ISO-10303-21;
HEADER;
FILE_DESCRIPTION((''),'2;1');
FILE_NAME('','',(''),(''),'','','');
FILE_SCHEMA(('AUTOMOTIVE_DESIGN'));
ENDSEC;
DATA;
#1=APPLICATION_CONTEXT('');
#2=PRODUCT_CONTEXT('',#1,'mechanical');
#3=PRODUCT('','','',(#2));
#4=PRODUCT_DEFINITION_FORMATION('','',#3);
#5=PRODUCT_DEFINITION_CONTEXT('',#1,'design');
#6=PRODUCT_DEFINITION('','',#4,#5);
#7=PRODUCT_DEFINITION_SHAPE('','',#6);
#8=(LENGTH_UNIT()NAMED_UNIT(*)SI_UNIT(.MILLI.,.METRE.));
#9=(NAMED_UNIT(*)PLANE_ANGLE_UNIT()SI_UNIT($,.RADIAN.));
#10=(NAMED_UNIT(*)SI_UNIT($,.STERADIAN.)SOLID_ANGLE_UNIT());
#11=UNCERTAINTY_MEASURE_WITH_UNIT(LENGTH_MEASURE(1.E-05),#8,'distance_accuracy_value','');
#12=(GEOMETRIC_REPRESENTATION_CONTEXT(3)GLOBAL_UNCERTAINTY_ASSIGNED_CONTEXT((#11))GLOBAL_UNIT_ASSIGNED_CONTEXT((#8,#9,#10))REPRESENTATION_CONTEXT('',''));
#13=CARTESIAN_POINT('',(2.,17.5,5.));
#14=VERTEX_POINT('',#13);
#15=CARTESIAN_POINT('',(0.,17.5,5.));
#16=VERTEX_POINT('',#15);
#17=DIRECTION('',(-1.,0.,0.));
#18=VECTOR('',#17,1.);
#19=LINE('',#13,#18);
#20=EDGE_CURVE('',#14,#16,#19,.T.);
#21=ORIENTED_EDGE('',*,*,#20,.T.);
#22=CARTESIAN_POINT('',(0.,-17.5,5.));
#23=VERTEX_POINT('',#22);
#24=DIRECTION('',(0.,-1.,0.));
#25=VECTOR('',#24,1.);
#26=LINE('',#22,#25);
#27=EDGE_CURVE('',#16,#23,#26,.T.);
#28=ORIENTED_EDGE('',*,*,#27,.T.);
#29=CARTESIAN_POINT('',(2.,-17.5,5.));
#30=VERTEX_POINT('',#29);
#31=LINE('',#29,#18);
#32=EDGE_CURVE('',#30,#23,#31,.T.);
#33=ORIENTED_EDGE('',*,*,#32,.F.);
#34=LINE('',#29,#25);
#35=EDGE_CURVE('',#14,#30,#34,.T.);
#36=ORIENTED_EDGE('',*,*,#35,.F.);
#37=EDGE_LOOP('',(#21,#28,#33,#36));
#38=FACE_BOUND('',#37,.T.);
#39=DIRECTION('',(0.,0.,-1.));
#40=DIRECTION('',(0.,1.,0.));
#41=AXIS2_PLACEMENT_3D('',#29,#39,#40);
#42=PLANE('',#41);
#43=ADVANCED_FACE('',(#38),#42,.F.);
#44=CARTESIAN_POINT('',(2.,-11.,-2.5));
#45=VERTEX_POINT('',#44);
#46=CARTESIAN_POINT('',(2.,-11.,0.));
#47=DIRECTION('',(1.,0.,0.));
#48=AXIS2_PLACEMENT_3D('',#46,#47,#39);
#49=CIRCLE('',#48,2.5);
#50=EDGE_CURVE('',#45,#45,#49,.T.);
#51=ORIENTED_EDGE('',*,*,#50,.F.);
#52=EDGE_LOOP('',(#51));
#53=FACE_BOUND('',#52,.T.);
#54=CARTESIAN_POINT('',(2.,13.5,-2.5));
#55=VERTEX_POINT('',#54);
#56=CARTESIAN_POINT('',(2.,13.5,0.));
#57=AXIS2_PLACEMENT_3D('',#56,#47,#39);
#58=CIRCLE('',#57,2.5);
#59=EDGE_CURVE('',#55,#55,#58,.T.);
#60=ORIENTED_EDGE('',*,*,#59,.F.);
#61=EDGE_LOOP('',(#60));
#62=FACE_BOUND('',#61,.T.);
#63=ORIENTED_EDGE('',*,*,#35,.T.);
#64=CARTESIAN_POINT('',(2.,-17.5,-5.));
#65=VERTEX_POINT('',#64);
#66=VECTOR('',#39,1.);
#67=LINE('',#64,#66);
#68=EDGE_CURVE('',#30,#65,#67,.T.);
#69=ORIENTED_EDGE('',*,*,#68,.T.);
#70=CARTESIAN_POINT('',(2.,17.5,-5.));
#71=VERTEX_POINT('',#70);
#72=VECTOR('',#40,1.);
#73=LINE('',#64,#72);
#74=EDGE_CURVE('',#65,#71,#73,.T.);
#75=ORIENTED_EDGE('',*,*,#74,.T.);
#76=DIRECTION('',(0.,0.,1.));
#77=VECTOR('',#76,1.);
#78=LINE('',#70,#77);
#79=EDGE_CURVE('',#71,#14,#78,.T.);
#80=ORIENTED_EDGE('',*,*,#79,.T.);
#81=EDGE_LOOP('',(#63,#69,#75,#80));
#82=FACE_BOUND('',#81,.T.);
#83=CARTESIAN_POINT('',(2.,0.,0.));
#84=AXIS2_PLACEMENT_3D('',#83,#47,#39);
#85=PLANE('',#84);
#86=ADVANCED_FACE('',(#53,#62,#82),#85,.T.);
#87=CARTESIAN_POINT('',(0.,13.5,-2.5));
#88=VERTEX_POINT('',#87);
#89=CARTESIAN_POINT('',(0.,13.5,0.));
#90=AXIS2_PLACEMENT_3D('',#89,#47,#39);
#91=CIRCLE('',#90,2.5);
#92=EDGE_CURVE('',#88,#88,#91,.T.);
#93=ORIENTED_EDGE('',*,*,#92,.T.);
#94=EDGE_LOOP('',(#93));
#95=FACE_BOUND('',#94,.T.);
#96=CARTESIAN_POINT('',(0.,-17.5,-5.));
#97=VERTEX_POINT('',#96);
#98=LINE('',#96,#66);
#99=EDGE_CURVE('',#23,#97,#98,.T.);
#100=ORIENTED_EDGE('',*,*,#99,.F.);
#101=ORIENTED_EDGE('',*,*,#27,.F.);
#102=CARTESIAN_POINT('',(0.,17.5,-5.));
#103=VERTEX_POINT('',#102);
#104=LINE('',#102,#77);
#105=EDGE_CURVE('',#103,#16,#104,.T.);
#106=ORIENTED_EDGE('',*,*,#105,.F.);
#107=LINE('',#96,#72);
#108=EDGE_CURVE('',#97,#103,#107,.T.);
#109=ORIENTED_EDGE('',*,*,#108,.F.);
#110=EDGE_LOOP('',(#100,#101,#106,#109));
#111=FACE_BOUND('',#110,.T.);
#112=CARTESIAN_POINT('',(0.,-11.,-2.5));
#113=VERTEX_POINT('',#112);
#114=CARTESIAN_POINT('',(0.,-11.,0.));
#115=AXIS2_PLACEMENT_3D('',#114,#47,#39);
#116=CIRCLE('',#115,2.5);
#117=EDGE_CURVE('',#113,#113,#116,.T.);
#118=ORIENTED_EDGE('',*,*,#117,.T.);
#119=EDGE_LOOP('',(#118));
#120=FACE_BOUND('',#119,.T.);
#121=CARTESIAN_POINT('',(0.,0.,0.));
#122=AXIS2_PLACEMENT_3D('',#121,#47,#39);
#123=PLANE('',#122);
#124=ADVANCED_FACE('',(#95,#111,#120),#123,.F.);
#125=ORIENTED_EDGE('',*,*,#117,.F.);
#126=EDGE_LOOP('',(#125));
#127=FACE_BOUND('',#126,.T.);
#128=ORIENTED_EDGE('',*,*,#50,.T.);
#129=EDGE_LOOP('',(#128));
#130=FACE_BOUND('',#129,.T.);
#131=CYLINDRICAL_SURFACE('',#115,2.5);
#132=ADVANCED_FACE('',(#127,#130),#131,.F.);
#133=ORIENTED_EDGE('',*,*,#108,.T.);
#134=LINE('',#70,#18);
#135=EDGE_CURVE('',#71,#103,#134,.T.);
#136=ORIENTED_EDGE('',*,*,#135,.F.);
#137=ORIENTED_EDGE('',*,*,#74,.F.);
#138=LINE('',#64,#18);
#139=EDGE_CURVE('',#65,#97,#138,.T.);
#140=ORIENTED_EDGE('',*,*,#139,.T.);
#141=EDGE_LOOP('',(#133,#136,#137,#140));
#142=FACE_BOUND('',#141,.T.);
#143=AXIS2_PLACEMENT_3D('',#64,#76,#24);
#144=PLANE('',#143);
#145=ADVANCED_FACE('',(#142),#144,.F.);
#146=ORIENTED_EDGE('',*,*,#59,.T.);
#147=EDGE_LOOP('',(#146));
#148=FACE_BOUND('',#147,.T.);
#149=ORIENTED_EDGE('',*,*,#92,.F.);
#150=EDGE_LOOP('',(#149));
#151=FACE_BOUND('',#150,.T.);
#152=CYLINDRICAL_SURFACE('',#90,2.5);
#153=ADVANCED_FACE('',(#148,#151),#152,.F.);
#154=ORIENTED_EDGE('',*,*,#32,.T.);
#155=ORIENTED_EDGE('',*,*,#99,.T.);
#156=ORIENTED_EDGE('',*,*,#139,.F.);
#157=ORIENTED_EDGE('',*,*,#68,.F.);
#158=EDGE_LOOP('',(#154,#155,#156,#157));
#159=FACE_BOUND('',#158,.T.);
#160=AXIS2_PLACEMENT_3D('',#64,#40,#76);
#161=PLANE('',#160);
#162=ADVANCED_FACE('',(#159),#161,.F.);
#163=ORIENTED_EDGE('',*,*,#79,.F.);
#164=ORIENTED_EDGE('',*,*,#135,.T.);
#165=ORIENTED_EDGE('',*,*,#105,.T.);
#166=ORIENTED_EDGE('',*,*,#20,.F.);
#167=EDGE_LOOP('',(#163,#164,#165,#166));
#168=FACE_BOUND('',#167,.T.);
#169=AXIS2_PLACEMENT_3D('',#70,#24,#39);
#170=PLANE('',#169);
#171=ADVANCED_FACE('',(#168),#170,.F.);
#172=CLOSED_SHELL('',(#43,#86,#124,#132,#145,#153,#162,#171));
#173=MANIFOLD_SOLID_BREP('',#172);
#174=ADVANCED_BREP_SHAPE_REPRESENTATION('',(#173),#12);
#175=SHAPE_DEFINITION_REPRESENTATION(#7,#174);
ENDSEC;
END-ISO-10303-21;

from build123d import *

# Parameters (mm, degrees)
SKETCH2_W           = 10
SKETCH2_H           = 35
BOSS_EXTRUDE1_DEPTH = 2
SKETCH3_R           = 2.5
CUT_EXTRUDE1_DEPTH  = 2


with BuildPart() as part:
    # Sketch2 → Boss-Extrude1 (new body)
    with BuildSketch(Plane(origin=(0, 0, 0), x_dir=(0, 0, -1), z_dir=(1, 0, 0))):
        Rectangle(SKETCH2_W, SKETCH2_H)
    extrude(amount=BOSS_EXTRUDE1_DEPTH)

    # Sketch3 → Cut-Extrude1 (cut)
    with BuildSketch(Plane(origin=(2, 0, 0), x_dir=(0, 0, -1), z_dir=(1, 0, 0))):
        with Locations((0, -11)):
            Circle(SKETCH3_R)
        with Locations((0, 13.5)):
            Circle(SKETCH3_R)
    extrude(amount=-CUT_EXTRUDE1_DEPTH, mode=Mode.SUBTRACT)


solid = part.part
